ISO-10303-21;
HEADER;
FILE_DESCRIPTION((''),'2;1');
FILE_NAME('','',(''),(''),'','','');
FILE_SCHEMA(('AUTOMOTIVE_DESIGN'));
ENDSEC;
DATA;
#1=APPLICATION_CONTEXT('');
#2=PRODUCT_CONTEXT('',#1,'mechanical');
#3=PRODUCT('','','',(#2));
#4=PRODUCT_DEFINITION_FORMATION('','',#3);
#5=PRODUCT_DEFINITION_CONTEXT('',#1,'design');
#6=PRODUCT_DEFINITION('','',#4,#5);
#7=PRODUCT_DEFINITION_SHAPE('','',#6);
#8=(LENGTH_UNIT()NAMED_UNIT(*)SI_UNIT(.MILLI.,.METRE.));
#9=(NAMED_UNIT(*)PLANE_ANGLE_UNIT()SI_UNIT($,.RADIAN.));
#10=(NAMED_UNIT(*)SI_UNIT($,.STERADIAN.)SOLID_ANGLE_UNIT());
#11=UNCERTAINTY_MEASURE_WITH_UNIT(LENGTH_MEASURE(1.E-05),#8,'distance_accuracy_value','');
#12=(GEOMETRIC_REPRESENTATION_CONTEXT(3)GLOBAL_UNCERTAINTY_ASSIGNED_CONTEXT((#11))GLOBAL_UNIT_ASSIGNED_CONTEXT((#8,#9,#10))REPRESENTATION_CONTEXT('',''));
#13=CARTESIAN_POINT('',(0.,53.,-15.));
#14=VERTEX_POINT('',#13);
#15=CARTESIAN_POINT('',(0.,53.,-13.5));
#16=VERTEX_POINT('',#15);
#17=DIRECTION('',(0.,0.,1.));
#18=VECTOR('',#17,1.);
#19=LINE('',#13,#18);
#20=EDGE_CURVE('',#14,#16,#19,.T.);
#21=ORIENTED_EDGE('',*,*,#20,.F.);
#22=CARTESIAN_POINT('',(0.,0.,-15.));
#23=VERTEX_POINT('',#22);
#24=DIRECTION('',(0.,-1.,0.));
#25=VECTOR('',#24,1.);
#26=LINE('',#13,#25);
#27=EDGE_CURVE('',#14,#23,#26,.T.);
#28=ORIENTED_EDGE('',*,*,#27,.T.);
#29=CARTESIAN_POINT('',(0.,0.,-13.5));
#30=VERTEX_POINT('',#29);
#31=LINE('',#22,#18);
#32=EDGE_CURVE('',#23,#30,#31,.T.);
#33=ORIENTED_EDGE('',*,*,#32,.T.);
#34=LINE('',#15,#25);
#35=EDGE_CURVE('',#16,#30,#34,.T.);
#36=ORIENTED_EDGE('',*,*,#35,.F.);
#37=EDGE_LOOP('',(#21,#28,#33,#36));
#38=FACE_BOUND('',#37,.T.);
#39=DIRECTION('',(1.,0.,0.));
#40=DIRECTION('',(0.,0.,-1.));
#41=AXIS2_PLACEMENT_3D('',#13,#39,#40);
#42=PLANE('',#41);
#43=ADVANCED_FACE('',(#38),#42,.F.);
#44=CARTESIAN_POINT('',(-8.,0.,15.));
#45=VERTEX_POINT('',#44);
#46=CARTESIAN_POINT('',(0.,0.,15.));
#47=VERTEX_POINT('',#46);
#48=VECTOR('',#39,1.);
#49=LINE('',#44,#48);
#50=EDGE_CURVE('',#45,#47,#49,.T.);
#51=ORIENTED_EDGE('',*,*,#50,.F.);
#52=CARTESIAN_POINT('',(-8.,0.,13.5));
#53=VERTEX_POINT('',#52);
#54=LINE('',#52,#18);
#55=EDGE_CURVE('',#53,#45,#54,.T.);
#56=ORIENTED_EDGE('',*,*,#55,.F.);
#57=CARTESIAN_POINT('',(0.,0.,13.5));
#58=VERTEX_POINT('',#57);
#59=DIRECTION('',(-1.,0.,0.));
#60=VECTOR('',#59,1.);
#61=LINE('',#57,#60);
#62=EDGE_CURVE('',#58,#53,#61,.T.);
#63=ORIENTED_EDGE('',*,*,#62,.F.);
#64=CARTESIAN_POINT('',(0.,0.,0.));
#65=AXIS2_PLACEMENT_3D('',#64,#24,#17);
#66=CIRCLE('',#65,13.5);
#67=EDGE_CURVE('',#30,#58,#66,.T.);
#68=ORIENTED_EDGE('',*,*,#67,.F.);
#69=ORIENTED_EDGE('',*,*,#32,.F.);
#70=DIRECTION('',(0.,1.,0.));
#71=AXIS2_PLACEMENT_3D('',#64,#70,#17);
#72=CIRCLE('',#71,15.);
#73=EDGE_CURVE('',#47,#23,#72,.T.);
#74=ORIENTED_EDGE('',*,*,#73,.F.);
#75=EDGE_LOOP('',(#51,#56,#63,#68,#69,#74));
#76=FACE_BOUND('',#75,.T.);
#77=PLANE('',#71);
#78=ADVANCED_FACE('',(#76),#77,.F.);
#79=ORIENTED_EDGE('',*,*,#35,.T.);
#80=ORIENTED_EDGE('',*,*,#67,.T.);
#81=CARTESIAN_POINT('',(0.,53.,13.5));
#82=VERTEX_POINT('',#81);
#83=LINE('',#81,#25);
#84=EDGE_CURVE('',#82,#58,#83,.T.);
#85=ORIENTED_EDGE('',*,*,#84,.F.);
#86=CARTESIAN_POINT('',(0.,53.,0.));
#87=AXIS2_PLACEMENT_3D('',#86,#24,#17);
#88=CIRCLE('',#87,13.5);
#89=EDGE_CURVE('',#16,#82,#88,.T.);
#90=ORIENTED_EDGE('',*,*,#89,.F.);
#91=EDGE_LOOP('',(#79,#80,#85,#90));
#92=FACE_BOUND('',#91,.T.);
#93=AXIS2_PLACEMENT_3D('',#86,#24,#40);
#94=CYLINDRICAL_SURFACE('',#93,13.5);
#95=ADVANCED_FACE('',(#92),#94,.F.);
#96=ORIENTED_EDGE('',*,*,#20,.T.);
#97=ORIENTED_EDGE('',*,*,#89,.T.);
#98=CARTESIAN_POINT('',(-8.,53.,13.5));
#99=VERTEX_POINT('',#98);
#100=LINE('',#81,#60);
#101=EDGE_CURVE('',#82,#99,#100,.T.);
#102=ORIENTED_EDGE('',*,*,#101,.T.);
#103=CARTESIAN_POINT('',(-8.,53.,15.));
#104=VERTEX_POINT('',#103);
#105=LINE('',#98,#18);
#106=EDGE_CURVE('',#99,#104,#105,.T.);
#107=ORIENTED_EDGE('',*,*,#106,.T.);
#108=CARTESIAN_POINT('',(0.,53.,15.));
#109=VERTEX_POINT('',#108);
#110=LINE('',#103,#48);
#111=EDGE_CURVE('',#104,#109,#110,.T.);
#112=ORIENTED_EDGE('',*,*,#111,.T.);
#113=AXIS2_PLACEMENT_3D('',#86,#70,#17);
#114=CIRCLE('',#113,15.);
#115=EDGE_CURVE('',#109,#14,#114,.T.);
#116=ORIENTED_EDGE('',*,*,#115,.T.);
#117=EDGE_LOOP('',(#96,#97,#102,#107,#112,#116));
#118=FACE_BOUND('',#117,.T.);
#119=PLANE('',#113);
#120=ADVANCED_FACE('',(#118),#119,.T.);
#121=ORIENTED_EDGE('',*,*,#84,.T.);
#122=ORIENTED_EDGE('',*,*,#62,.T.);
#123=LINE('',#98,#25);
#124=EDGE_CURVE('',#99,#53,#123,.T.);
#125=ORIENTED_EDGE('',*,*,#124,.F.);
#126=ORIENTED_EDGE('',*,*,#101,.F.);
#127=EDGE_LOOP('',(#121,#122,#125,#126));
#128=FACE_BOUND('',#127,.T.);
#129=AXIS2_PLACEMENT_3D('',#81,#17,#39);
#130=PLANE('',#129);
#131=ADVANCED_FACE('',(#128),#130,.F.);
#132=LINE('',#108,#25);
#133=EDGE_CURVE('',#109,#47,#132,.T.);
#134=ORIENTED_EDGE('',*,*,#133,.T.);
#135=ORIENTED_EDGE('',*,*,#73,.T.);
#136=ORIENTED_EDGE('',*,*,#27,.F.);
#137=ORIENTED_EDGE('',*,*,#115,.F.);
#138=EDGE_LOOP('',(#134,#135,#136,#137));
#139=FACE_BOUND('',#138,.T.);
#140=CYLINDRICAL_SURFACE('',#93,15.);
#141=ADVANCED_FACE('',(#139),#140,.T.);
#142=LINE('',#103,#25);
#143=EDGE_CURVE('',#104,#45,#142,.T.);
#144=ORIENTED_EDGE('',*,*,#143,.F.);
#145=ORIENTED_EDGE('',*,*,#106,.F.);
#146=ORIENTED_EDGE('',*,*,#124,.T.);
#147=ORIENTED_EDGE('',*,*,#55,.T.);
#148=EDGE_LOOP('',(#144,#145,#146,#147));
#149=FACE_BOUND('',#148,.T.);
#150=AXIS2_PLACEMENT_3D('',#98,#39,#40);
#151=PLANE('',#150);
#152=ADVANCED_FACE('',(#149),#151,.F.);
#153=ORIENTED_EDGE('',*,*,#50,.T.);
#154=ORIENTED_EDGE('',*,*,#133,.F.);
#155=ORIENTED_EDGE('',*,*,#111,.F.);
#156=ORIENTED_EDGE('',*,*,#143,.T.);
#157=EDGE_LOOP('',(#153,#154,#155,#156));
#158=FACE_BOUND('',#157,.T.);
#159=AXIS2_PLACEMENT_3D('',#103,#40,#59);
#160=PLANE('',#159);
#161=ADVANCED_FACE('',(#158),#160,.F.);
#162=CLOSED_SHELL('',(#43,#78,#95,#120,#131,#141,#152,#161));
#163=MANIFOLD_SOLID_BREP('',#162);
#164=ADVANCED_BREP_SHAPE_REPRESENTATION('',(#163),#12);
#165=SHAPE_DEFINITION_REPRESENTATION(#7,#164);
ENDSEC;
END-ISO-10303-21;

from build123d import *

# Parameters (mm, degrees)
BOSS_EXTRUDE1_DEPTH = 53


with BuildPart() as part:
    # Sketch1 → Boss-Extrude1 (new body)
    with BuildSketch(Plane(origin=(0, 0, 0), x_dir=(1, 0, 0), z_dir=(0, 1, 0))):
        with BuildLine():
            Line((0, 15), (0, 13.5))
            ThreePointArc((0, 13.5), (13.5, 0), (0, -13.5))
            Line((0, -13.5), (-8, -13.5))
            Line((-8, -13.5), (-8, -15))
            Line((-8, -15), (0, -15))
            ThreePointArc((0, -15), (15, 0), (0, 15))
        make_face()
    extrude(amount=BOSS_EXTRUDE1_DEPTH)


solid = part.part
